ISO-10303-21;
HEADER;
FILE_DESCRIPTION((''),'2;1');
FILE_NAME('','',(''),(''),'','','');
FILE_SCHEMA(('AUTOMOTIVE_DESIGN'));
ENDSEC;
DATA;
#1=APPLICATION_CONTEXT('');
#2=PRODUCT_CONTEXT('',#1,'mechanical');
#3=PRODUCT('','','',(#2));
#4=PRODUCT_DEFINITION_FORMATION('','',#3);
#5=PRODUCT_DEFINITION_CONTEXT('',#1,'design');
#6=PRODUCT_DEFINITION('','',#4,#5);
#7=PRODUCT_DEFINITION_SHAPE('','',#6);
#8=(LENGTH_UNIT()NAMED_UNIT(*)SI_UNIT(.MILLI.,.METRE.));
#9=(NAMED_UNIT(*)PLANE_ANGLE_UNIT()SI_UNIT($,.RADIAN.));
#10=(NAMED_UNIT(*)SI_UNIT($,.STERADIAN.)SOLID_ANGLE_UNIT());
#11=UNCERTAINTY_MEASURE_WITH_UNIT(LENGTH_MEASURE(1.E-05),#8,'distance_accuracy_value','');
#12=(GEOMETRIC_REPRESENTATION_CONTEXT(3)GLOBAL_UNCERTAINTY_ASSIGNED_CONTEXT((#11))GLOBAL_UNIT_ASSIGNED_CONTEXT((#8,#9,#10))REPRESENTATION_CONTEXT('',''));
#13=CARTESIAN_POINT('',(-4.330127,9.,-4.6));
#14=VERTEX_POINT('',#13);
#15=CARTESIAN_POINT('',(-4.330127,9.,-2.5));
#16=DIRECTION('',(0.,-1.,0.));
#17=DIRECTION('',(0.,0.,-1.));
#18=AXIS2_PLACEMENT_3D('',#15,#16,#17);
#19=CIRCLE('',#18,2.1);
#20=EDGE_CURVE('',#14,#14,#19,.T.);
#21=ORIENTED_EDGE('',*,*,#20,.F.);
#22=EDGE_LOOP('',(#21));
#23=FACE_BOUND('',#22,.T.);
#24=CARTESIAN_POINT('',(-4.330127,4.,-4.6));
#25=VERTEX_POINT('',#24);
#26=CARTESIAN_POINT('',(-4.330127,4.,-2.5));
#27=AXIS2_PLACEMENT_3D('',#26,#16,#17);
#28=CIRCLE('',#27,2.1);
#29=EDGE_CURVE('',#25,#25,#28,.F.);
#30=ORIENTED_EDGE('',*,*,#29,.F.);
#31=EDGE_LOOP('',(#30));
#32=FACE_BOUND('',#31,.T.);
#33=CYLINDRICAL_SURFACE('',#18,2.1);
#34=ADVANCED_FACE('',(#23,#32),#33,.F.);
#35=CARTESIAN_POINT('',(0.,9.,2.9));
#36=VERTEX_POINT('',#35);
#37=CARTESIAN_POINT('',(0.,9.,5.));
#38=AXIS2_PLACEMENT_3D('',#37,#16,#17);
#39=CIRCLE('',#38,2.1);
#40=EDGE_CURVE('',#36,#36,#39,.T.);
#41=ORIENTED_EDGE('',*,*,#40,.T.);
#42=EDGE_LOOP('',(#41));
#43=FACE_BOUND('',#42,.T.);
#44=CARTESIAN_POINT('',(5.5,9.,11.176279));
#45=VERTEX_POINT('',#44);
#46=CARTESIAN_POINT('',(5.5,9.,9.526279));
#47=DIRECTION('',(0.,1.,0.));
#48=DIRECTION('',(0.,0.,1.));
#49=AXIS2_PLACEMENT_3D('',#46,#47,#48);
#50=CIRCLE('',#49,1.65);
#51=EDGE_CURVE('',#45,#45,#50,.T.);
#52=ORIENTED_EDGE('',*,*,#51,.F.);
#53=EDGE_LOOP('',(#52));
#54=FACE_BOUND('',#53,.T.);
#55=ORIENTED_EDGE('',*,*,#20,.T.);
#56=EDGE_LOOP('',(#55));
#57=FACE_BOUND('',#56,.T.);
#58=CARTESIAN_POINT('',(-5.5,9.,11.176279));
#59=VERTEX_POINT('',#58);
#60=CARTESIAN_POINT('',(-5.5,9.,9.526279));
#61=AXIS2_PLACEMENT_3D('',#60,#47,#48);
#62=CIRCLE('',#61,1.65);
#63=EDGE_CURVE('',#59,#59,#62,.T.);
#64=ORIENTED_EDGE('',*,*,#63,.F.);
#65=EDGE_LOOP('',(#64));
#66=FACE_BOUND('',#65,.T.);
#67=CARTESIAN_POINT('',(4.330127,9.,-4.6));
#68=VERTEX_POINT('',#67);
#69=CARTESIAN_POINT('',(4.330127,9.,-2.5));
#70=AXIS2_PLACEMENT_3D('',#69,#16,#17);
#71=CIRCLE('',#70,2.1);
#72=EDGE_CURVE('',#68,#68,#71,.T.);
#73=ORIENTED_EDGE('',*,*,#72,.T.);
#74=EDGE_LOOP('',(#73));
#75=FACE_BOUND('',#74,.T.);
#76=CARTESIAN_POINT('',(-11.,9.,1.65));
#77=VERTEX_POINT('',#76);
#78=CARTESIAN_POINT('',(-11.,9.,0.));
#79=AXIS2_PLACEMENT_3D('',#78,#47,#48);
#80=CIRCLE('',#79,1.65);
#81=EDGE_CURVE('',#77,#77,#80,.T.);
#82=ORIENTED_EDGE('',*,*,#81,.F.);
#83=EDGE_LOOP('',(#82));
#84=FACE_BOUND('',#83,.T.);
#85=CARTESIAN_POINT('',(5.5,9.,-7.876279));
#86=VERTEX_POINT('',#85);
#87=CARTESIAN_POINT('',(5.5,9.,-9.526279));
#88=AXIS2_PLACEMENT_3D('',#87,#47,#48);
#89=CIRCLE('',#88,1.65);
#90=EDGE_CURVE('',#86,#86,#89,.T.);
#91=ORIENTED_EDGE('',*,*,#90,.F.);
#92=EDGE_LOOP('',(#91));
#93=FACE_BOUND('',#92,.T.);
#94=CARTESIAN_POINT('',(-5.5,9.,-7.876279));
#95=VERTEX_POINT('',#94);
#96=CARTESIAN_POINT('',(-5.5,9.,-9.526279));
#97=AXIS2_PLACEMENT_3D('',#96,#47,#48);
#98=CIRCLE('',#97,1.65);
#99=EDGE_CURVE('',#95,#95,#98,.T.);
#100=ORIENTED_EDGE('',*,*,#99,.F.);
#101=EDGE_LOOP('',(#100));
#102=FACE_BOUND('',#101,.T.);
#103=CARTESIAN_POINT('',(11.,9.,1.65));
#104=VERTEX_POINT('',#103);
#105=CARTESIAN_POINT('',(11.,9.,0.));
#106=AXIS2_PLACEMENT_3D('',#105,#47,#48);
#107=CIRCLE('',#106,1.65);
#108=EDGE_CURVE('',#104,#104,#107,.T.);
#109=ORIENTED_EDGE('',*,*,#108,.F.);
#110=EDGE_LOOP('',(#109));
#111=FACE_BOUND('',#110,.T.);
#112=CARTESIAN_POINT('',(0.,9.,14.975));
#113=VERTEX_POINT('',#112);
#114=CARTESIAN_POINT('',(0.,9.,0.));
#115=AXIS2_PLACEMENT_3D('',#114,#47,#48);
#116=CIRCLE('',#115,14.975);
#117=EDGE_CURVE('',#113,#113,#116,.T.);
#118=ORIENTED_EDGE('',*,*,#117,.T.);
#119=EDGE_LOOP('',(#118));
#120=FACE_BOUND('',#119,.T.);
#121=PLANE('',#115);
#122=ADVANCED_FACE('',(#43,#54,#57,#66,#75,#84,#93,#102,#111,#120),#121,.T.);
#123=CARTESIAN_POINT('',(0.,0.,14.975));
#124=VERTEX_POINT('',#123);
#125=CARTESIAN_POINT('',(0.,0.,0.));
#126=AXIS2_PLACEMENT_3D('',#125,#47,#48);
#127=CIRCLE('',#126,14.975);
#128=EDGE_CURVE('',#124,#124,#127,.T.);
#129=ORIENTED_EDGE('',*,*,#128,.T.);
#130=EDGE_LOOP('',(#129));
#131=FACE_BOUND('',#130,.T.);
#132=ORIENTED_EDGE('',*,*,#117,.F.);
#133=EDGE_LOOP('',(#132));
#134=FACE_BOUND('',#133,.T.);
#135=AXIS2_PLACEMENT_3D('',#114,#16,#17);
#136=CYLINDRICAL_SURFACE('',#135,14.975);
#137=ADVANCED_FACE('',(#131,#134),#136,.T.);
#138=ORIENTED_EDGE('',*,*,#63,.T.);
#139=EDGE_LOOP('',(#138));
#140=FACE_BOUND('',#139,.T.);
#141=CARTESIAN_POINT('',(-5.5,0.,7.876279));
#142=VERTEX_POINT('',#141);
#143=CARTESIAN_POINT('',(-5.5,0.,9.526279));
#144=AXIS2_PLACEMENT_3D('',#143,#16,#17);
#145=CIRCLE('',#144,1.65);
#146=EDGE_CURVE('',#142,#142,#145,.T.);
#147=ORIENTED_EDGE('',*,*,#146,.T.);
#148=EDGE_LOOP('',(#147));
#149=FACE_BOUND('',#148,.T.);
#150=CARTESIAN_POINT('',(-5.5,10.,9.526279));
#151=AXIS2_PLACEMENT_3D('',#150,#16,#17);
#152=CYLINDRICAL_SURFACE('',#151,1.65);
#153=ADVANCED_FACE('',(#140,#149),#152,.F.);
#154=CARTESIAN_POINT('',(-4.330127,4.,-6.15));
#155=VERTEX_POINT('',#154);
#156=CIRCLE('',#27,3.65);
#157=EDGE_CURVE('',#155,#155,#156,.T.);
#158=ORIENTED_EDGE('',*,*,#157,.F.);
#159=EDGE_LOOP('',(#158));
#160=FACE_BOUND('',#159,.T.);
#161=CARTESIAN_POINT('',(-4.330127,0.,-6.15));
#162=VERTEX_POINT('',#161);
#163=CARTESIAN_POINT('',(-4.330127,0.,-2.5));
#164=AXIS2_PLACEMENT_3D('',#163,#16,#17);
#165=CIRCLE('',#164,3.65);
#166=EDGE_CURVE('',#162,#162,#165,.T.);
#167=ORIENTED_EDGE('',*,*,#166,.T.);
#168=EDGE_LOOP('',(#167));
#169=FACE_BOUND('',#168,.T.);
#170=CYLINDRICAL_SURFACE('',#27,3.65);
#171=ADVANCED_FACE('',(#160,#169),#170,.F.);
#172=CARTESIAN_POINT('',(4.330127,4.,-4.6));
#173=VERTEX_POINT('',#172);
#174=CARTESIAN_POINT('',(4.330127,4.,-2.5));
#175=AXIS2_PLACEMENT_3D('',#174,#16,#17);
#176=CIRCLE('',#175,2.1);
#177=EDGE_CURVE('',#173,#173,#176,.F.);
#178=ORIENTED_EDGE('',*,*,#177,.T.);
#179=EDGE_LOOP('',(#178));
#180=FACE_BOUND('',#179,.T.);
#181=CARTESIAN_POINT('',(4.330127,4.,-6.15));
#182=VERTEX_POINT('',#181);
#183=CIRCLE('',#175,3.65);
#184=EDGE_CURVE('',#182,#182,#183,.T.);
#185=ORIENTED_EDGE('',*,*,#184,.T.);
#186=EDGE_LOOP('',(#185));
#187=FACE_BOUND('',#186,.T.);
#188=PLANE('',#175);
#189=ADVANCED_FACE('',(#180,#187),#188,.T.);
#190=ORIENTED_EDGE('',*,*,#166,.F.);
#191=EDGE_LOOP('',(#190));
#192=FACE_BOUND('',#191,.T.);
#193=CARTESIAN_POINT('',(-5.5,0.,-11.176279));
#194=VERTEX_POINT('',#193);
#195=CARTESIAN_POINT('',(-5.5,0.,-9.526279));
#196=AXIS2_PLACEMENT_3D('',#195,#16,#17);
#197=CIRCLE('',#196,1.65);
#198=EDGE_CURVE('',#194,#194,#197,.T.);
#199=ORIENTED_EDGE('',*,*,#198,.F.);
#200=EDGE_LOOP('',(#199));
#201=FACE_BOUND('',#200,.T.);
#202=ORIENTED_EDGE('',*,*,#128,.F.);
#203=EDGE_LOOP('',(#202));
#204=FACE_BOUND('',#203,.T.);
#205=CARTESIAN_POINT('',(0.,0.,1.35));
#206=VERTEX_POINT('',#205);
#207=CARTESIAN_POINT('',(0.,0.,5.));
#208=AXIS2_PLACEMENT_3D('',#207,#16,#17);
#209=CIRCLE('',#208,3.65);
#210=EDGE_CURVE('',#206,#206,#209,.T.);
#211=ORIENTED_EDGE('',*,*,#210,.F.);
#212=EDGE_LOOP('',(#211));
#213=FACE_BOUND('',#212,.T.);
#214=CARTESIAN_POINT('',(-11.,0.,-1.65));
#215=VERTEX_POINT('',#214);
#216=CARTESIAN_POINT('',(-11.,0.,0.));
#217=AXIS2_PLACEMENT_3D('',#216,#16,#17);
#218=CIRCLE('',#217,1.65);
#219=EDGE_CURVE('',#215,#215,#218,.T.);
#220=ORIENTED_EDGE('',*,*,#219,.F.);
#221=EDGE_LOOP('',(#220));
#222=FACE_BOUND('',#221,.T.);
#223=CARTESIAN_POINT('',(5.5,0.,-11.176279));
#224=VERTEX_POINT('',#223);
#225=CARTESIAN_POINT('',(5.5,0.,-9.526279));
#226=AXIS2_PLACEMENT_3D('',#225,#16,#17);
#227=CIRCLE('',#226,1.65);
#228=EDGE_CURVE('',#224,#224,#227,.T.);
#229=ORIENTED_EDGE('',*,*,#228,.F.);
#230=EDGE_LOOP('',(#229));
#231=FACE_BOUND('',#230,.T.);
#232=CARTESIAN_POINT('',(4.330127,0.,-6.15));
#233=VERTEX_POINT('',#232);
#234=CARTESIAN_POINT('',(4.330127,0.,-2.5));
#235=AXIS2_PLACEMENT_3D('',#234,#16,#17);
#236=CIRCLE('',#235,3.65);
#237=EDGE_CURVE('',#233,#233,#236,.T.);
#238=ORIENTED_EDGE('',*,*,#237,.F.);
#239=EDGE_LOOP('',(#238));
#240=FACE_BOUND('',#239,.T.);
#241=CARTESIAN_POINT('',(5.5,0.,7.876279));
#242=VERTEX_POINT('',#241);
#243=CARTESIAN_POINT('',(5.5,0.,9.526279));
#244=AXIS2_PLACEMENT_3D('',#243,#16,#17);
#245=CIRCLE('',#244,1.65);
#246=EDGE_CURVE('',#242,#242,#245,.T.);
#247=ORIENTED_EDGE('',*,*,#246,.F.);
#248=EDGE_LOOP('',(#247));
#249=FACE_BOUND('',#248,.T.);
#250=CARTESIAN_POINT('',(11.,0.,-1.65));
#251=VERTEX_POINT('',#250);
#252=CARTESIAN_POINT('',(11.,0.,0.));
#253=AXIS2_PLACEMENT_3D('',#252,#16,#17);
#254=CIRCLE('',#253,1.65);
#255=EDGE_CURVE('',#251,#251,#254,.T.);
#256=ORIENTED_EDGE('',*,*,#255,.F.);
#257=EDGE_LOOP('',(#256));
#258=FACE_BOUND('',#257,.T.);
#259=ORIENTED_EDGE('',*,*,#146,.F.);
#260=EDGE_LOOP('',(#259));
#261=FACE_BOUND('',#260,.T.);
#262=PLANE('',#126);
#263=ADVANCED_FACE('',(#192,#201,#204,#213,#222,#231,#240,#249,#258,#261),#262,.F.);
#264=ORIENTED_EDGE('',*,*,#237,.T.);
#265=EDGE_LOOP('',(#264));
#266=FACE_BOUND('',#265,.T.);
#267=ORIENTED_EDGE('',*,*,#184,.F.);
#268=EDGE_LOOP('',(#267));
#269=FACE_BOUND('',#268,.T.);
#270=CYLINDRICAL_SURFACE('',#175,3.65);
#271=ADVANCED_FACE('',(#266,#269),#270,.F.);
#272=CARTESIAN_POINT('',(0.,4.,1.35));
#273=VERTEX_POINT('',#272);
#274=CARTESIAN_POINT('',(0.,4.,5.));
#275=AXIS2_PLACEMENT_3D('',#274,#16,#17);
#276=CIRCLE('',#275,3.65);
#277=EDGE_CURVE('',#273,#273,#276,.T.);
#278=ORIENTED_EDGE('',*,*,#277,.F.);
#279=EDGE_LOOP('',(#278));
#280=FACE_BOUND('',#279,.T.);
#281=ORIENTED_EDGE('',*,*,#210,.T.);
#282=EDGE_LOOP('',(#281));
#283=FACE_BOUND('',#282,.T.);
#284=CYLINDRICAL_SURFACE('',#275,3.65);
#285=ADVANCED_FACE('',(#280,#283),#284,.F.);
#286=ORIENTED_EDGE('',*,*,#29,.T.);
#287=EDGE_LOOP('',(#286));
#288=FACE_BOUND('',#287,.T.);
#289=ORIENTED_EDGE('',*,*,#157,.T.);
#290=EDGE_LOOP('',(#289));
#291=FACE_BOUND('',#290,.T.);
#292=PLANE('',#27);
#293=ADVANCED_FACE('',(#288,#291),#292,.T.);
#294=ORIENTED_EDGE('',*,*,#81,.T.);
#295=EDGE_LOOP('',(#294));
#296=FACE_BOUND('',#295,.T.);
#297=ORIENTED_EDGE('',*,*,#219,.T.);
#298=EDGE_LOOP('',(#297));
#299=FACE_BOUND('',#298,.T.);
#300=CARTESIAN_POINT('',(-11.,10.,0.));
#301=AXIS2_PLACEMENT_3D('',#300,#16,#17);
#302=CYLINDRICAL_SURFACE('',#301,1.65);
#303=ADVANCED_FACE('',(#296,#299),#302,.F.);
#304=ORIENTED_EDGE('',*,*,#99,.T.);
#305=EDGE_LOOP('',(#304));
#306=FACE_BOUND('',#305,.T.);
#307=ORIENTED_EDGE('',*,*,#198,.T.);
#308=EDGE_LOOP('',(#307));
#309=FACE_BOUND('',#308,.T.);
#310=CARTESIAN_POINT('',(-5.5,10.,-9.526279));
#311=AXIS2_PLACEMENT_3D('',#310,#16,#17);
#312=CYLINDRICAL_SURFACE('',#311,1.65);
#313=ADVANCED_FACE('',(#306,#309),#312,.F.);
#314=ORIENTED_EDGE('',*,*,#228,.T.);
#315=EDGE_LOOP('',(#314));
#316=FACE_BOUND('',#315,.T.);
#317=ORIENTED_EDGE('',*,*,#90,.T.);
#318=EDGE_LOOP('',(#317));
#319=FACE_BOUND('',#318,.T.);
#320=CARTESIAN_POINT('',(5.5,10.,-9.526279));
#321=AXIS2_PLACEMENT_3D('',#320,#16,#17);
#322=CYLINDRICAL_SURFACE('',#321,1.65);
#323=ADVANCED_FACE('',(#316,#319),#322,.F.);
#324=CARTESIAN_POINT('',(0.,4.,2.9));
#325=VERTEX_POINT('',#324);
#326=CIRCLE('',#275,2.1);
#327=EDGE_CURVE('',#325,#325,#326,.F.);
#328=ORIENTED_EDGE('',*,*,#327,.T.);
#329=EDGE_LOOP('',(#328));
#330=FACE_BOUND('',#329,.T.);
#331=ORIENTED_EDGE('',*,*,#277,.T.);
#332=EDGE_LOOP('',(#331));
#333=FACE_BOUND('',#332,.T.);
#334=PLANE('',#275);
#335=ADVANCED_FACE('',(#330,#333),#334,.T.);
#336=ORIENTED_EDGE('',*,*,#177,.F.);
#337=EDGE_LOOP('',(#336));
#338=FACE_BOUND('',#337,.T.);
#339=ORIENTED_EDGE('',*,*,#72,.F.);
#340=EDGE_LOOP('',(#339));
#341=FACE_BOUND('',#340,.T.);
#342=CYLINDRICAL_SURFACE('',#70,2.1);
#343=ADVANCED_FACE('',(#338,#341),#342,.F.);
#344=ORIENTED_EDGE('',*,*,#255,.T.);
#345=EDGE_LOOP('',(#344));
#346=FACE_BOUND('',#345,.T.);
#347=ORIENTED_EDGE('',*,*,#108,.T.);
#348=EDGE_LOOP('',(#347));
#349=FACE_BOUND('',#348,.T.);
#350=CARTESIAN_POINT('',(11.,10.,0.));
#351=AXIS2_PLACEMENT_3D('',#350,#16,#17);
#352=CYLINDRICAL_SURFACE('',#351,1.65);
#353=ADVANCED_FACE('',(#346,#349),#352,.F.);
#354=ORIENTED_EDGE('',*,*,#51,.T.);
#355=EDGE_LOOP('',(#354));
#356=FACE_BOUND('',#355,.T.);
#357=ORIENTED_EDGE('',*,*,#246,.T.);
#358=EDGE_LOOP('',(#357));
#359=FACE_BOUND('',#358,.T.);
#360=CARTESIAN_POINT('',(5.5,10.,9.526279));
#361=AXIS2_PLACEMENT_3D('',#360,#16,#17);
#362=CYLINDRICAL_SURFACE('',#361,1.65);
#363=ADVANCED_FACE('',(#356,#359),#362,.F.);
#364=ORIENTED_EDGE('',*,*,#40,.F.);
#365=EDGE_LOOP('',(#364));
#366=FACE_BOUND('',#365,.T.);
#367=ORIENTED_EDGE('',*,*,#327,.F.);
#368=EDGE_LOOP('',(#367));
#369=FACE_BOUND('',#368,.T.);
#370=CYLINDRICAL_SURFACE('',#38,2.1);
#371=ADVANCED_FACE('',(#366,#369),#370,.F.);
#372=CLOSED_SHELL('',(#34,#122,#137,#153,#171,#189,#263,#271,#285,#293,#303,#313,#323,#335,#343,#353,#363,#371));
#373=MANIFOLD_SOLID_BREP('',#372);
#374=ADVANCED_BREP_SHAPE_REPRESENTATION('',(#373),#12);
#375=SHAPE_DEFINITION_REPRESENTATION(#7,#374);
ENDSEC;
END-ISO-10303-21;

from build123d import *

# Parameters (mm, degrees)
SKETCH_1_R          = 14.975
EXTRUDE_1_DEPTH     = 9
SKETCH_2_R          = 1.65
CUT_EXTRUDE_1_DEPTH = 10
SKETCH_3_R          = 2.1
CUT_EXTRUDE_2_DEPTH = 24.010894159
SKETCH_4_R          = 3.65
CUT_EXTRUDE_3_DEPTH = 4


with BuildPart() as part:
    # 草图1 → 凸台-拉伸1 (new body)
    with BuildSketch(Plane(origin=(0, 0, 0), x_dir=(1, 0, 0), z_dir=(0, 1, 0))):
        with Locations(Location((0, 0, 0), (0, 0, 270))):
            Circle(SKETCH_1_R)
    extrude(amount=EXTRUDE_1_DEPTH)

    # 草图2 → 切除-拉伸1 (cut)
    with BuildSketch(Plane.XZ):
        with Locations(Location((-11, 0, 0), (0, 0, 270))):
            Circle(SKETCH_2_R)
        with Locations(Location((-5.5, 9.526279442, 0), (0, 0, 270))):
            Circle(SKETCH_2_R)
        with Locations(Location((5.5, 9.526279442, 0), (0, 0, 270))):
            Circle(SKETCH_2_R)
        with Locations(Location((11, 0, 0), (0, 0, 270))):
            Circle(SKETCH_2_R)
        with Locations(Location((5.5, -9.526279442, 0), (0, 0, 270))):
            Circle(SKETCH_2_R)
        with Locations(Location((-5.5, -9.526279442, 0), (0, 0, 270))):
            Circle(SKETCH_2_R)
    extrude(amount=-CUT_EXTRUDE_1_DEPTH, mode=Mode.SUBTRACT)

    # 草图3 → 切除-拉伸2 (cut, through all)
    with BuildSketch(Plane.XZ):
        with Locations(Location((0, 5, 0), (0, 0, 270))):
            Circle(SKETCH_3_R)
        with Locations(Location((4.330127019, -2.5, 0), (0, 0, 270))):
            Circle(SKETCH_3_R)
        with Locations(Location((-4.330127019, -2.5, 0), (0, 0, 270))):
            Circle(SKETCH_3_R)
    extrude(amount=-CUT_EXTRUDE_2_DEPTH, mode=Mode.SUBTRACT)

    # 草图4 → 切除-拉伸3 (cut)
    with BuildSketch(Plane.XZ):
        with Locations(Location((0, 5, 0), (0, 0, 270))):
            Circle(SKETCH_4_R)
        with Locations(Location((-4.330127019, -2.5, 0), (0, 0, 270))):
            Circle(SKETCH_4_R)
        with Locations(Location((4.330127019, -2.5, 0), (0, 0, 270))):
            Circle(SKETCH_4_R)
    extrude(amount=-CUT_EXTRUDE_3_DEPTH, mode=Mode.SUBTRACT)


solid = part.part
